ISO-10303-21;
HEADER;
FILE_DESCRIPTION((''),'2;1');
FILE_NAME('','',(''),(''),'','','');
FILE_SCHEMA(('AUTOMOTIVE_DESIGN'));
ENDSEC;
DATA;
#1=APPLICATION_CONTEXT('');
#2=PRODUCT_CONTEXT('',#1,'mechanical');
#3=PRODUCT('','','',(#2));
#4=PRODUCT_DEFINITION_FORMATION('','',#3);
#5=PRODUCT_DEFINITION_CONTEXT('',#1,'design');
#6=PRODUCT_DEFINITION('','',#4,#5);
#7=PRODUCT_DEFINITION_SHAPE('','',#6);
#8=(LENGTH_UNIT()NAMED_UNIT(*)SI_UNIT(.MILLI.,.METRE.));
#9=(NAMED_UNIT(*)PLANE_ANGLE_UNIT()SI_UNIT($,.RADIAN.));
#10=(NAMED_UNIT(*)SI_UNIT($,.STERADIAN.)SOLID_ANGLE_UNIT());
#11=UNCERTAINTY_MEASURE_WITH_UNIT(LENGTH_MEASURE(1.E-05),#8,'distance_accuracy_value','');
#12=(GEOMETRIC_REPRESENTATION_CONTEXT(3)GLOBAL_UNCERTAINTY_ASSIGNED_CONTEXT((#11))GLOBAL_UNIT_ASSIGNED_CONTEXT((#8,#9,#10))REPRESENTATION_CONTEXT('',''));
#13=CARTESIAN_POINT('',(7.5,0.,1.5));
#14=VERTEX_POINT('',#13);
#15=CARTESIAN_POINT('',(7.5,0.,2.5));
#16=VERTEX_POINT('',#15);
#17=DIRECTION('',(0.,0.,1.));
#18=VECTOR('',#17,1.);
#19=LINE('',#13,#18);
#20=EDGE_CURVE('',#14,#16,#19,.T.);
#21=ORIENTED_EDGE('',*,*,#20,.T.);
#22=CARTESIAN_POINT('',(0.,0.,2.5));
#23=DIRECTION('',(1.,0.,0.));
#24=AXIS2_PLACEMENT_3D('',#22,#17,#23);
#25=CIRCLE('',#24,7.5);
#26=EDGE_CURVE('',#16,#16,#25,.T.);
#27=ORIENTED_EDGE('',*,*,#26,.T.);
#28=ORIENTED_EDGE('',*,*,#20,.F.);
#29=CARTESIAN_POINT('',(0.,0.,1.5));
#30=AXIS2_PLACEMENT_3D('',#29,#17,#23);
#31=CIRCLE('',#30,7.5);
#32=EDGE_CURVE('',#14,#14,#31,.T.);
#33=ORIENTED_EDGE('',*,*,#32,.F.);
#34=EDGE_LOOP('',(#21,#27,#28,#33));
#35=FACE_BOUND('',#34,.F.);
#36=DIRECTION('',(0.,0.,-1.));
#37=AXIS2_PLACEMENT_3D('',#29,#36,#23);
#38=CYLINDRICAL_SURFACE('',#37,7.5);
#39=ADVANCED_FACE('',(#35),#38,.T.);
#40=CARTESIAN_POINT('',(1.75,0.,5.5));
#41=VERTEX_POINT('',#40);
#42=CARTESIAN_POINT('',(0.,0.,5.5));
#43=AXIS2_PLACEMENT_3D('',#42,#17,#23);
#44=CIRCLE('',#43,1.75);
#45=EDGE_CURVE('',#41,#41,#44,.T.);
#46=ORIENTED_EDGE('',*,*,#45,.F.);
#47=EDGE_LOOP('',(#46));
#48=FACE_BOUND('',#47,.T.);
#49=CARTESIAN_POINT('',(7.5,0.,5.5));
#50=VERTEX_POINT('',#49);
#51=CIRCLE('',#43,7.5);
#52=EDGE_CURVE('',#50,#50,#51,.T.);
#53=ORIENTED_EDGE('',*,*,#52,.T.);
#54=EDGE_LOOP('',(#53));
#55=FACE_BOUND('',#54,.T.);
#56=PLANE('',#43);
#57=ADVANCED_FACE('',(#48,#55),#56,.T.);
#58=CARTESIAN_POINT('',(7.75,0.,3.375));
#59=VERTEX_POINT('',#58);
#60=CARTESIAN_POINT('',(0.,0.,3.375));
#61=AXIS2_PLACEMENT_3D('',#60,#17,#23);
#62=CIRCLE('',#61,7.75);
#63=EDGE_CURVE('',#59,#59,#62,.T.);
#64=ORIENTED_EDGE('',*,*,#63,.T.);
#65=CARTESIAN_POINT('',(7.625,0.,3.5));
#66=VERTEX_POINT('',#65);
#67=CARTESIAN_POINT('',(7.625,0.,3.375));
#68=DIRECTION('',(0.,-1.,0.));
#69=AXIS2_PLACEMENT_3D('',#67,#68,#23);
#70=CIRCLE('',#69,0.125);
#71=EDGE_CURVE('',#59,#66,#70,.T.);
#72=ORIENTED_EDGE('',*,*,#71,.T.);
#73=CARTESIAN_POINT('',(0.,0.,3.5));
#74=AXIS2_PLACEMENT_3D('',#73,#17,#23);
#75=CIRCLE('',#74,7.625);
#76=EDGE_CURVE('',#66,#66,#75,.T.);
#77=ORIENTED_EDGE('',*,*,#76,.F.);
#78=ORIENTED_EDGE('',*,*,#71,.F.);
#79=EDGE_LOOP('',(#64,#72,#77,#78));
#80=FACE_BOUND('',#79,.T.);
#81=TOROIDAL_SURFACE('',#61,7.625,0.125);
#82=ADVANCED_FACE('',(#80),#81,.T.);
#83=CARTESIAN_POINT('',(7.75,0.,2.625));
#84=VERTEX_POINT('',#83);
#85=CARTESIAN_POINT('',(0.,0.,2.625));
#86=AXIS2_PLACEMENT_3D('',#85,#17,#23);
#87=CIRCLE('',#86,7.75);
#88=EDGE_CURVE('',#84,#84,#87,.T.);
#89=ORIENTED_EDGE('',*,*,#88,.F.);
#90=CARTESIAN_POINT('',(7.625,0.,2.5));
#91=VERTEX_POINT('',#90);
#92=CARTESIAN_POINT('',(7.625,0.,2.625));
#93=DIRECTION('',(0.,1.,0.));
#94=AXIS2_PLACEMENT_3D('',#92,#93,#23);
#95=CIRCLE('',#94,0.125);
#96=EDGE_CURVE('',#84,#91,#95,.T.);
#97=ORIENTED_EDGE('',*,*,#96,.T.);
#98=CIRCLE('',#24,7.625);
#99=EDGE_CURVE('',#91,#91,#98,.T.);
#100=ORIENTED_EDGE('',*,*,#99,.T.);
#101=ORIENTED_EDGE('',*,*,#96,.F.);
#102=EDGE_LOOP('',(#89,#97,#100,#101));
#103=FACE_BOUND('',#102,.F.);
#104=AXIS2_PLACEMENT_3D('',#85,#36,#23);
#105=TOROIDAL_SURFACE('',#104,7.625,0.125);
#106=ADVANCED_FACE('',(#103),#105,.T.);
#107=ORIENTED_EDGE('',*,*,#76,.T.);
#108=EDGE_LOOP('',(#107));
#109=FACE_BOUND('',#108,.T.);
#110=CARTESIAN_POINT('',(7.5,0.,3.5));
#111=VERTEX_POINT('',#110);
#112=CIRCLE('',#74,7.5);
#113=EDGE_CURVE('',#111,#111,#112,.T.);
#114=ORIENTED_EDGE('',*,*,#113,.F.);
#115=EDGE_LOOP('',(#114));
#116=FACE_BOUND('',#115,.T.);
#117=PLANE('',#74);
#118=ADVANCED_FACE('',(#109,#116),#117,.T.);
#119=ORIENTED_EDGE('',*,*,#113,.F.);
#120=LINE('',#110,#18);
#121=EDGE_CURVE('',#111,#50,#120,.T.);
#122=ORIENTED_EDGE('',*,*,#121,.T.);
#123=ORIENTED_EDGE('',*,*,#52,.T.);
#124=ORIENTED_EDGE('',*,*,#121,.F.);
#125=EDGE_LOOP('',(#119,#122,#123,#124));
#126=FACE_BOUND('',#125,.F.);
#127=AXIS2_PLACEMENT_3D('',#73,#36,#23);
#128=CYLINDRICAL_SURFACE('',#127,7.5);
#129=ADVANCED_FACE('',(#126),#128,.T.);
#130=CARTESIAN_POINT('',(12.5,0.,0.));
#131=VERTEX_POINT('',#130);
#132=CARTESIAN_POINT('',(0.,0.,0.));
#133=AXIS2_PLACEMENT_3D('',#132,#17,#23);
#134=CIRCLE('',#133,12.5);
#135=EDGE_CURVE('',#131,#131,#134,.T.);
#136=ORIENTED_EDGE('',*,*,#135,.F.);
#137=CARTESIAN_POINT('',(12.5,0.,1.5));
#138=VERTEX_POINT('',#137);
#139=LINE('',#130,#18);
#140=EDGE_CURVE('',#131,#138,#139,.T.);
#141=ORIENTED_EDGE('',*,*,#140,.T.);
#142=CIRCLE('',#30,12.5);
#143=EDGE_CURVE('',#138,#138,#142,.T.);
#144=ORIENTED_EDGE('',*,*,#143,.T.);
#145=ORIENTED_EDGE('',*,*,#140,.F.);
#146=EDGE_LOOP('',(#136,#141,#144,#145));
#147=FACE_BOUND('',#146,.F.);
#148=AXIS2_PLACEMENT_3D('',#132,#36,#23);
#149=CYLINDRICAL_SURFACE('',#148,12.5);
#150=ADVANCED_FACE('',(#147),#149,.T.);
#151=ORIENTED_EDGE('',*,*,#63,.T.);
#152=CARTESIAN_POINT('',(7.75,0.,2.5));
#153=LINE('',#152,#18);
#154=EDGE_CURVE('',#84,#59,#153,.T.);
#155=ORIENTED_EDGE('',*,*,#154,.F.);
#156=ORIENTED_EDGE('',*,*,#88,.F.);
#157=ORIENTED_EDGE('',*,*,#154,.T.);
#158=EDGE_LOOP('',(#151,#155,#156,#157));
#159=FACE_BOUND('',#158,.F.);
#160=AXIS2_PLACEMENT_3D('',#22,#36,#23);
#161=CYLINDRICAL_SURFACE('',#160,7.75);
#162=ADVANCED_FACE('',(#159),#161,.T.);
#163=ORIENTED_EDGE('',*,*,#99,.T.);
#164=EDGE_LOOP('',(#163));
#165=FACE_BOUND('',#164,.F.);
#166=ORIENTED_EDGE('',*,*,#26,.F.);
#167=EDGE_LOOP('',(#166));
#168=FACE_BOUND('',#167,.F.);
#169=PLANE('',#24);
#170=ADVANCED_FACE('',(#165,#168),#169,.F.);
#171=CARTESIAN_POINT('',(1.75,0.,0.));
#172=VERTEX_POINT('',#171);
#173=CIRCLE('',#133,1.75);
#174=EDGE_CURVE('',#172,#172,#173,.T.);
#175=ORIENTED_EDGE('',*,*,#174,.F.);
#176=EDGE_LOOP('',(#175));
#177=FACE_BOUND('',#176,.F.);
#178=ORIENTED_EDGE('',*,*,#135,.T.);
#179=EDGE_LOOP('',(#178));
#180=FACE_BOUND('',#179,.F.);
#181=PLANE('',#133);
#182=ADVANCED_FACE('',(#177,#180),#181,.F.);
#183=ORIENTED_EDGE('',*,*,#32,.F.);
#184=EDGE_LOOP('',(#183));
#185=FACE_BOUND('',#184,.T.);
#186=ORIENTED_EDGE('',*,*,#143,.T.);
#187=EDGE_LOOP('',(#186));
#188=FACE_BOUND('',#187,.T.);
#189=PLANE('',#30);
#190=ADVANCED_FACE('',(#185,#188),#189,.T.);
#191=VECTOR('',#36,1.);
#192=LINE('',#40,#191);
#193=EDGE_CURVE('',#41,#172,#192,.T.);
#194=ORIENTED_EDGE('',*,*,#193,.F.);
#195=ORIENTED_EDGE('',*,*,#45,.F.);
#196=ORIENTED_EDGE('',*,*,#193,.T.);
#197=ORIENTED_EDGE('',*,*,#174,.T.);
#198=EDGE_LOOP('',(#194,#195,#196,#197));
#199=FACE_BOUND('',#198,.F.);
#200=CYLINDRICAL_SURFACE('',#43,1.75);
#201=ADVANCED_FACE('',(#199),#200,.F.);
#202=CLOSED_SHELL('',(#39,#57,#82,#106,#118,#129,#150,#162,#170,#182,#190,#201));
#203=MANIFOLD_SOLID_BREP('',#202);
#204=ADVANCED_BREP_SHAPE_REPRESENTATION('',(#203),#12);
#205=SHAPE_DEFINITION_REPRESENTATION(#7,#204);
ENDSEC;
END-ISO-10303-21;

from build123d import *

# Parameters (mm, degrees)
F0_R      = 12.5
F1_DEPTH  = 1.5
F2_R      = 7.5
F3_DEPTH  = 1
F4_R      = 7.75
F5_DEPTH  = 1
F6_R      = 7.5
F7_DEPTH  = 2
F9_R      = 1.75
F10_DEPTH = 5.501
F11_R     = 0.125


with BuildPart() as f1:
    # F0 (on Top) → F1 (new body)
    with BuildSketch(Plane.XY):
        Circle(F0_R)
    extrude(amount=F1_DEPTH)

    # F2 (on face) → F3 (join)
    with BuildSketch(Plane.XY.offset(1.5)):
        Circle(F2_R)
    extrude(amount=F3_DEPTH)

    # F4 (on face) → F5 (join)
    with BuildSketch(Plane.XY.offset(2.5)):
        Circle(F4_R)
    extrude(amount=F5_DEPTH)

    # F6 (on face) → F7 (join)
    with BuildSketch(Plane.XY.offset(3.5)):
        Circle(F6_R)
    extrude(amount=F7_DEPTH)

    # F9 (on face) → F10 (cut, through all)
    with BuildSketch(Plane.XY.offset(5.5)):
        Circle(F9_R)
    extrude(amount=-F10_DEPTH, mode=Mode.SUBTRACT)

    # F11
    f11_edges = [f1.edges().sort_by_distance(p)[0] for p in [
        (-7.75, 0, 3.5),
        (-7.75, 0, 2.5),
    ]]
    fillet(f11_edges, radius=F11_R)


solid = f1.part
